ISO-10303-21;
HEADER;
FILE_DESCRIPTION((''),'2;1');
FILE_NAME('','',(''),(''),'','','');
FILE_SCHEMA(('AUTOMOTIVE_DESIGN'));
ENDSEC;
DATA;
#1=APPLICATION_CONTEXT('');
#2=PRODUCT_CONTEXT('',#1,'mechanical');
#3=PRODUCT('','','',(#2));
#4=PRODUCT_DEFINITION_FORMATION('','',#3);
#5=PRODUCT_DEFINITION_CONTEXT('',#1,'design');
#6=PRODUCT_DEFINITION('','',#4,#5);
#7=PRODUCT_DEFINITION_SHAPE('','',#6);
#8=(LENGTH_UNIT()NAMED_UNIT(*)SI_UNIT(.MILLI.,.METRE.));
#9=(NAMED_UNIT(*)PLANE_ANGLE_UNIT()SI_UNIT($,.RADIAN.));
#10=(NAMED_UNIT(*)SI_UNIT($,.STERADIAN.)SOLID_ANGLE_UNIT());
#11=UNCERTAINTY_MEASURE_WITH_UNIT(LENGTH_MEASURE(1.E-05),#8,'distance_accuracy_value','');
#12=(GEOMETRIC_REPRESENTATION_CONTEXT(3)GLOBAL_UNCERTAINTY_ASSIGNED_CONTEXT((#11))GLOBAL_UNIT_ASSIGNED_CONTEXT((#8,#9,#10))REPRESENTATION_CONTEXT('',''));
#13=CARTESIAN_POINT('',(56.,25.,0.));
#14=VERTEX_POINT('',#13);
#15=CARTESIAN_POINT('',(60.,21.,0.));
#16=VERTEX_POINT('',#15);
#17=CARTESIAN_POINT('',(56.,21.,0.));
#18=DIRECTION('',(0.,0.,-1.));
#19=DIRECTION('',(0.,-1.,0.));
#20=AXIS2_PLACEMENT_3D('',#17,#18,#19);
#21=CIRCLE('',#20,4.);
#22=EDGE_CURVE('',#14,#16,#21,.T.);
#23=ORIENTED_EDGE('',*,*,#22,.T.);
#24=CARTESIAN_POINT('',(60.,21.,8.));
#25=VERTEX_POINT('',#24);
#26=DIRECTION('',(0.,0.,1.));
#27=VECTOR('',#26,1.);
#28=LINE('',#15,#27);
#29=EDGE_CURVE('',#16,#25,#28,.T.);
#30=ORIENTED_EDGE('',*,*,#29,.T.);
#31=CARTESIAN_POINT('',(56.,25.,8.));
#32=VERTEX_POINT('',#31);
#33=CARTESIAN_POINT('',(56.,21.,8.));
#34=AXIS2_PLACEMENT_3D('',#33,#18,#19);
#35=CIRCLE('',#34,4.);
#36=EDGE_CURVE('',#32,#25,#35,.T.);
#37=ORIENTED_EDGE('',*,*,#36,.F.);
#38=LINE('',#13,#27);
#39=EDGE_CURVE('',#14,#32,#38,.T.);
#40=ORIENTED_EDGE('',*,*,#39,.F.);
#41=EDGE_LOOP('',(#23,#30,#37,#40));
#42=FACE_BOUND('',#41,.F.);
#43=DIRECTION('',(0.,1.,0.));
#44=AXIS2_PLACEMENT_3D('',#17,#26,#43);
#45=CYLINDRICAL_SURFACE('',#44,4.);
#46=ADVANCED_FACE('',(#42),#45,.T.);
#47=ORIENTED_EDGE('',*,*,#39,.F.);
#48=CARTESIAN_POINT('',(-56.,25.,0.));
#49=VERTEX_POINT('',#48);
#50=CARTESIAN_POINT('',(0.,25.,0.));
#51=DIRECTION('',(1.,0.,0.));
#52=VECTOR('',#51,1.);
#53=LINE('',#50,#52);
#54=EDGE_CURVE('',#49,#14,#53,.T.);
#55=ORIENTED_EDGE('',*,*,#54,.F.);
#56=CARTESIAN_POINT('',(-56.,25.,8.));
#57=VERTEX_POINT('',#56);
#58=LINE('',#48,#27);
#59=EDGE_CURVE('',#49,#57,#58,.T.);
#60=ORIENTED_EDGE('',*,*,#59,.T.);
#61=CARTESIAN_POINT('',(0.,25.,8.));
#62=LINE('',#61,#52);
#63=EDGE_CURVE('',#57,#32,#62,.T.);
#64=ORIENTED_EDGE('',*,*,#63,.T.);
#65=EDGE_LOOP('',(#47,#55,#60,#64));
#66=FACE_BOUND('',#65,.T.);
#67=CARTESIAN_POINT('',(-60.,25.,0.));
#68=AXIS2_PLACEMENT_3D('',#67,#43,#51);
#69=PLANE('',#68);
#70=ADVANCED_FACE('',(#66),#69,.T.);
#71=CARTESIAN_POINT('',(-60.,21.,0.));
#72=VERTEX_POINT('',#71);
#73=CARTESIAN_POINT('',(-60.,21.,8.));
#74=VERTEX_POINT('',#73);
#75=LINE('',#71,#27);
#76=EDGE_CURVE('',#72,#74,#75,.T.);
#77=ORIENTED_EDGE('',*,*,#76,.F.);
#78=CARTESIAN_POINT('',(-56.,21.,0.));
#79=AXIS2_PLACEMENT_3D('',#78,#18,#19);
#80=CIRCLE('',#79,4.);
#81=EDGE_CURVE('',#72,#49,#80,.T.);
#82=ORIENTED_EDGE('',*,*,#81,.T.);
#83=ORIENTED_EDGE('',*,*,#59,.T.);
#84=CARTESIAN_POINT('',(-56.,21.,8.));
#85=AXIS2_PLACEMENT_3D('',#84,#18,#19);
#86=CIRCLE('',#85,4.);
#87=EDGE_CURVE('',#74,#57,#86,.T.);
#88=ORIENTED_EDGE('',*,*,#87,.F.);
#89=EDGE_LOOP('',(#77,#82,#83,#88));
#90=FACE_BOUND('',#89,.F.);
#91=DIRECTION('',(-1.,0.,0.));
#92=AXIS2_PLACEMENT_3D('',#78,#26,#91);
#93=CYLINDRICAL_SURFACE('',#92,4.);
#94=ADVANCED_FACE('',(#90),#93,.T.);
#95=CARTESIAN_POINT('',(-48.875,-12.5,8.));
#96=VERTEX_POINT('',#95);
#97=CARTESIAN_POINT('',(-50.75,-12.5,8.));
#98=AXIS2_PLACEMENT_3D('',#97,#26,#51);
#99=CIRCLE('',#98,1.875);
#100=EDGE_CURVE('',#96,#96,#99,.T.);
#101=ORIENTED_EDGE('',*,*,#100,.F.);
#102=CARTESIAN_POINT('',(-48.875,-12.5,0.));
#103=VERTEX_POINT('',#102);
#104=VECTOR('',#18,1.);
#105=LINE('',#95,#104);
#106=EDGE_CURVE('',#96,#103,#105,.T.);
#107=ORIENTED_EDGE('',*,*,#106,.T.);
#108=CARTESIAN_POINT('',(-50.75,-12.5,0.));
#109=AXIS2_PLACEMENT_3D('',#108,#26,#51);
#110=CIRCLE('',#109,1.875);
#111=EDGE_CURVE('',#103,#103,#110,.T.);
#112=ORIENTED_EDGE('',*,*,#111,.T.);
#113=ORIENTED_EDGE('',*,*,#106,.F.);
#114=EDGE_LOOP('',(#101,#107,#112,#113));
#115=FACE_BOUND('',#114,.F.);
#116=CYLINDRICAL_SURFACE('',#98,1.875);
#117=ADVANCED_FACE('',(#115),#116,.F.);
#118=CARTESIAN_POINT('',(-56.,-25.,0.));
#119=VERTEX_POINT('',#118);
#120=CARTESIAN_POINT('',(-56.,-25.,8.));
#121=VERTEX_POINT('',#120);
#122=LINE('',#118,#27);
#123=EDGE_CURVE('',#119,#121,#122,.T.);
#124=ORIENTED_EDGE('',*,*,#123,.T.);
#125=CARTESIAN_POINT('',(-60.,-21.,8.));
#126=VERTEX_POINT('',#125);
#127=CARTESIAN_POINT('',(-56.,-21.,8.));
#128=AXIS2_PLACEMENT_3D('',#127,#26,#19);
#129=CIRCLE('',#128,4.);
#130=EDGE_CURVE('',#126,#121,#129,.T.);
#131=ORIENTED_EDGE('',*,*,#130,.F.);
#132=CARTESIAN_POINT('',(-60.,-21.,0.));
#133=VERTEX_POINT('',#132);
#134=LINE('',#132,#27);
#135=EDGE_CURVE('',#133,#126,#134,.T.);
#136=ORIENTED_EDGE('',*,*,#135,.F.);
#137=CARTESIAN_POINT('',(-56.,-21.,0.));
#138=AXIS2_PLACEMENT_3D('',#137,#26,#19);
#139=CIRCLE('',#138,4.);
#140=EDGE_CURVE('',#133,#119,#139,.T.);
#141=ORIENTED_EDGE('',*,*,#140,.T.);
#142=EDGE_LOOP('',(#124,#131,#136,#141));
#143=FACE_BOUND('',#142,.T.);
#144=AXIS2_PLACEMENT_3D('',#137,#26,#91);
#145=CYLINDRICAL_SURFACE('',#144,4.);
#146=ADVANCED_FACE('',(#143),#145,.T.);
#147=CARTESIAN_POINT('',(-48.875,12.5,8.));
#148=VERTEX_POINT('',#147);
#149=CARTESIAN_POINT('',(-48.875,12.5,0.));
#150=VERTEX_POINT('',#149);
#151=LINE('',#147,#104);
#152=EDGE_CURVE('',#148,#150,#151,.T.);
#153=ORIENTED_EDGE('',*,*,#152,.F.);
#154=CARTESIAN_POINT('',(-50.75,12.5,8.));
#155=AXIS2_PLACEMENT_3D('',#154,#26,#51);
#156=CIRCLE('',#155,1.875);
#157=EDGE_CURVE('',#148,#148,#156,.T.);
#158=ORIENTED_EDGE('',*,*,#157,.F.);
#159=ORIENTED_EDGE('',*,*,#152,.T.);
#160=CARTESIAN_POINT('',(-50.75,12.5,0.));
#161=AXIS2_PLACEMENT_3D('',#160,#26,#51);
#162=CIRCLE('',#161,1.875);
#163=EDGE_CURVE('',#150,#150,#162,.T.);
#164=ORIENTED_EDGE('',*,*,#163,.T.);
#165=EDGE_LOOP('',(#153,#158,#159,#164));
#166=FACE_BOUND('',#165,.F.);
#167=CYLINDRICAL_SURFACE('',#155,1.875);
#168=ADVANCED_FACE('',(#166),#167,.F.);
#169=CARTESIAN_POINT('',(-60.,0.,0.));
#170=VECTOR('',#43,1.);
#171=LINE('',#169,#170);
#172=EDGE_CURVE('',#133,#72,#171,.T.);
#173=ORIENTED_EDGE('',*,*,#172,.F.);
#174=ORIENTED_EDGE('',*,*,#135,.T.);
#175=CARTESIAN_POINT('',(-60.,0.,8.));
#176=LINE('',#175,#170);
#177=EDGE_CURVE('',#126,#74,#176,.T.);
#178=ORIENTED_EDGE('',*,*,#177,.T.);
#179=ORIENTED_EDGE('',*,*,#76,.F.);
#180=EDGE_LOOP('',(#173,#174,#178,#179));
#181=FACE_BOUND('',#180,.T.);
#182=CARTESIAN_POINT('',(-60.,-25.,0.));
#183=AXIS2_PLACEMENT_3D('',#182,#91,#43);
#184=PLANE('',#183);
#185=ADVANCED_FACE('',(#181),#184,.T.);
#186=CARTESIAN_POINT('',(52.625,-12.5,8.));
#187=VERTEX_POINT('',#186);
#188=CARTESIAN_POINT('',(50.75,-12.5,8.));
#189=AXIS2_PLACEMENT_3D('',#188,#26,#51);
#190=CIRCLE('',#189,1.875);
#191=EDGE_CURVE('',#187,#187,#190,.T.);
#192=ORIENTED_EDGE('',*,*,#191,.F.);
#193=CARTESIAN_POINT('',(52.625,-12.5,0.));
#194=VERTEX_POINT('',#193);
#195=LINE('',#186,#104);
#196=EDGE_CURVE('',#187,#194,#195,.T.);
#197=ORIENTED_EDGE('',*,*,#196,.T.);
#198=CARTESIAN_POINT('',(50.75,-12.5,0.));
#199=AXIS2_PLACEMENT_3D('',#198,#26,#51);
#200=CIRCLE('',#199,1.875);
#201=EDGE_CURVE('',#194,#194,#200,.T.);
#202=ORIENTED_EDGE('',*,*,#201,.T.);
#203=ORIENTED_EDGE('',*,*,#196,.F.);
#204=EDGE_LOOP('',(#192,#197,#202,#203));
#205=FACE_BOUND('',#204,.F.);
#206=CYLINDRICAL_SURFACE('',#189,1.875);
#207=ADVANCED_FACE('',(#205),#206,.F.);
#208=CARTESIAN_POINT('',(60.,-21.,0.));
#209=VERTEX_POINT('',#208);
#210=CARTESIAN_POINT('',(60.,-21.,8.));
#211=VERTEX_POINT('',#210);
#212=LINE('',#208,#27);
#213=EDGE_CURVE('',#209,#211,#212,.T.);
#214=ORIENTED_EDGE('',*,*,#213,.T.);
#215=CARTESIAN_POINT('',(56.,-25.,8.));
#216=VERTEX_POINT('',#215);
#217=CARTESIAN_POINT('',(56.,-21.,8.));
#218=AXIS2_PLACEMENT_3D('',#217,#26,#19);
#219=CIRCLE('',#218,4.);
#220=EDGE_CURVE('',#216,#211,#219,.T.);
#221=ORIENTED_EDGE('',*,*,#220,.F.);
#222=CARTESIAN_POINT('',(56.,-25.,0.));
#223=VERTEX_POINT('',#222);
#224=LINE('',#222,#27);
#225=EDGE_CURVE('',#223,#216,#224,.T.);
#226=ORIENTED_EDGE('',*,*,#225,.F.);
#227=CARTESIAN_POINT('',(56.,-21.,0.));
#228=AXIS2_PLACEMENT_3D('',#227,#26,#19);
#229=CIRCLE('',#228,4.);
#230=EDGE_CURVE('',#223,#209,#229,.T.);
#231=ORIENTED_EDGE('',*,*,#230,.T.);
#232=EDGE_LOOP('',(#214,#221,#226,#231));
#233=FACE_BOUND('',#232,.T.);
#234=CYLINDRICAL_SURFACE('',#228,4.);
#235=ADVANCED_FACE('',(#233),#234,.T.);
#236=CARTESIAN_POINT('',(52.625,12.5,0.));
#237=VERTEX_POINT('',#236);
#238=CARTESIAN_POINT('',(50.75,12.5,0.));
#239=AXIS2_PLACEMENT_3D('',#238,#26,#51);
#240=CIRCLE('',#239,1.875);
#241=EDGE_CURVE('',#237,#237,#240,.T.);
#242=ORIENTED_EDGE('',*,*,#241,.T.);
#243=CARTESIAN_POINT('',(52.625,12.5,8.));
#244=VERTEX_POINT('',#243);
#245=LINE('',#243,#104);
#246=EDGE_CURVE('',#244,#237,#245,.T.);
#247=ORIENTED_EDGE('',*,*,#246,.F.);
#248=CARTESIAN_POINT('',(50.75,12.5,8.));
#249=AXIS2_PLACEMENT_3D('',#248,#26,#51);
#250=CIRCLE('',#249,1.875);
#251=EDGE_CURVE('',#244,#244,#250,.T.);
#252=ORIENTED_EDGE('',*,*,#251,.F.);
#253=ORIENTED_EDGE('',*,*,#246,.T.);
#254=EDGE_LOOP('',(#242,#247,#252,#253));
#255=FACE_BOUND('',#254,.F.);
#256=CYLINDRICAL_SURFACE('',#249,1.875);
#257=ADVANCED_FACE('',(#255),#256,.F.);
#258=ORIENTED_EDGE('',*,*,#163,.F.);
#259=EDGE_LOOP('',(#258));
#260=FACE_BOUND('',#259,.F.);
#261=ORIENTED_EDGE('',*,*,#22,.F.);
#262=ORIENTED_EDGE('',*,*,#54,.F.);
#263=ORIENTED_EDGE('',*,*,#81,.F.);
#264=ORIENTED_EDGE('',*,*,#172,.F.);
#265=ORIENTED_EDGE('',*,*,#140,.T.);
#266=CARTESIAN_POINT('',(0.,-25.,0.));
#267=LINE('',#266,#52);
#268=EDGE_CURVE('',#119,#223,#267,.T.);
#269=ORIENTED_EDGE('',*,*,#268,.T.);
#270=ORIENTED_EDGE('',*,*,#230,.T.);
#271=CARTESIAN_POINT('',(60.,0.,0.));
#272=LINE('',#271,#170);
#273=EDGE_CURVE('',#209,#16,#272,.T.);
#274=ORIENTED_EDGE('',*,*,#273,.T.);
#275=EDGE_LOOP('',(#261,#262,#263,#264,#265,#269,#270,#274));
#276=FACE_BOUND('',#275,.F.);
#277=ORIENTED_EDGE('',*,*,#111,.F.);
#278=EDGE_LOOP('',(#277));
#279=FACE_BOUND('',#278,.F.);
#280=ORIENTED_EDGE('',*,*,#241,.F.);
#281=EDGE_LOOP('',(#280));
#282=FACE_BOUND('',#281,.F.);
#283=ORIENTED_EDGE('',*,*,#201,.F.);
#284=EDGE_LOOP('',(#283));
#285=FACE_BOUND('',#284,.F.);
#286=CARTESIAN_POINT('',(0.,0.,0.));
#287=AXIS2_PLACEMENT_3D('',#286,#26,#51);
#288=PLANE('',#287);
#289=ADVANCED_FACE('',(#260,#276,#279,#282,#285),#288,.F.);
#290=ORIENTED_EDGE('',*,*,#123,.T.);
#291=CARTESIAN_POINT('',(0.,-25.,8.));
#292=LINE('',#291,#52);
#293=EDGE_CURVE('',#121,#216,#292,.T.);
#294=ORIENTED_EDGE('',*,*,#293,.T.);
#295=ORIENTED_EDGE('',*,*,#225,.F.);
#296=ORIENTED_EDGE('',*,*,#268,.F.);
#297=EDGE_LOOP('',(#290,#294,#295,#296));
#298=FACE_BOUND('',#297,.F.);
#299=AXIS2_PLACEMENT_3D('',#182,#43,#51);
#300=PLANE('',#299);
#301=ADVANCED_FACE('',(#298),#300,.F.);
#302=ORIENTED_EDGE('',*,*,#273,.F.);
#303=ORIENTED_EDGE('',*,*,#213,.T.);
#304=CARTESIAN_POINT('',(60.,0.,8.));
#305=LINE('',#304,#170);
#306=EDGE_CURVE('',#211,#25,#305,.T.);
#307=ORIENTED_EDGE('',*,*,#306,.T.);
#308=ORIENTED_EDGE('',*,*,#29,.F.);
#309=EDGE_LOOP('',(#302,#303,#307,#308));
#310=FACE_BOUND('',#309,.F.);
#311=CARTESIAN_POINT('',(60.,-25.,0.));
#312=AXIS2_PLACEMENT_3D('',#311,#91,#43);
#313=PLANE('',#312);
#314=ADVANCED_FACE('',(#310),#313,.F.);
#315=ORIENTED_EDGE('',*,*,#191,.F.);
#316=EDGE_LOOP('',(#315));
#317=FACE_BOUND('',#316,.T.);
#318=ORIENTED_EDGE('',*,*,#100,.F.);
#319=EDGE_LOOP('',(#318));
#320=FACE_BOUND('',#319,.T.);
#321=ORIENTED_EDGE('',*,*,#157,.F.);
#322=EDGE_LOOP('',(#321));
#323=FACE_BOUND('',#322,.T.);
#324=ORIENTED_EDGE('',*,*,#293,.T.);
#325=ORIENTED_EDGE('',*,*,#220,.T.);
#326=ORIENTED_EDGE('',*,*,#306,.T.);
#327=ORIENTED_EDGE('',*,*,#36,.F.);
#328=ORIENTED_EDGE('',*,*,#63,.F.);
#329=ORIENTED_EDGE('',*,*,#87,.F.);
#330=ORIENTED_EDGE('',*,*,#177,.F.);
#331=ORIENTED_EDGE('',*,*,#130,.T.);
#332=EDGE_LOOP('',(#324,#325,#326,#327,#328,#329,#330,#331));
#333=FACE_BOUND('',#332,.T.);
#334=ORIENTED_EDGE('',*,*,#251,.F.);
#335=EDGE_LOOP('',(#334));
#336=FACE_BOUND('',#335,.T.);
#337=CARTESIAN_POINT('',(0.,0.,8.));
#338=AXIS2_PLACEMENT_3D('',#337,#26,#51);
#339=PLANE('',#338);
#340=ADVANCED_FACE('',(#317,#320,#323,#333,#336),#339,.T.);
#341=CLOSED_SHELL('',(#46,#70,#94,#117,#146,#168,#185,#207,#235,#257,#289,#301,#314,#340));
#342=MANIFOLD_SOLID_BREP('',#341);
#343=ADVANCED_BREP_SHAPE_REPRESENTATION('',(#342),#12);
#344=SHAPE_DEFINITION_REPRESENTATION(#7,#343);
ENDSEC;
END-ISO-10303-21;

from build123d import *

# Parameters (mm, degrees)
SKETCH_W     = 120
SKETCH_H     = 50
PAD_DEPTH    = 8
SKETCH001_R  = 1.875
POCKET_DEPTH = 8.001
FILLET_R     = 4


with BuildPart() as part:
    # Sketch → Pad (new body)
    with BuildSketch(Plane.XY):
        Rectangle(SKETCH_W, SKETCH_H)
    extrude(amount=PAD_DEPTH)

    # Sketch001 (on Face6 of Pad) → Pocket (cut, through all)
    with BuildSketch(Plane.XY.offset(8)):
        with Locations((-50.75, 12.5)):
            Circle(SKETCH001_R)
        with Locations((50.75, 12.5)):
            Circle(SKETCH001_R)
        with Locations((-50.75, -12.5)):
            Circle(SKETCH001_R)
        with Locations((50.75, -12.5)):
            Circle(SKETCH001_R)
    extrude(amount=-POCKET_DEPTH, mode=Mode.SUBTRACT)

    # Fillet
    fillet_edges = [part.edges().sort_by_distance(p)[0] for p in [
        (-60, 25, 4),
        (-60, -25, 4),
        (60, -25, 4),
        (60, 25, 4),
    ]]
    fillet(fillet_edges, radius=FILLET_R)


solid = part.part
